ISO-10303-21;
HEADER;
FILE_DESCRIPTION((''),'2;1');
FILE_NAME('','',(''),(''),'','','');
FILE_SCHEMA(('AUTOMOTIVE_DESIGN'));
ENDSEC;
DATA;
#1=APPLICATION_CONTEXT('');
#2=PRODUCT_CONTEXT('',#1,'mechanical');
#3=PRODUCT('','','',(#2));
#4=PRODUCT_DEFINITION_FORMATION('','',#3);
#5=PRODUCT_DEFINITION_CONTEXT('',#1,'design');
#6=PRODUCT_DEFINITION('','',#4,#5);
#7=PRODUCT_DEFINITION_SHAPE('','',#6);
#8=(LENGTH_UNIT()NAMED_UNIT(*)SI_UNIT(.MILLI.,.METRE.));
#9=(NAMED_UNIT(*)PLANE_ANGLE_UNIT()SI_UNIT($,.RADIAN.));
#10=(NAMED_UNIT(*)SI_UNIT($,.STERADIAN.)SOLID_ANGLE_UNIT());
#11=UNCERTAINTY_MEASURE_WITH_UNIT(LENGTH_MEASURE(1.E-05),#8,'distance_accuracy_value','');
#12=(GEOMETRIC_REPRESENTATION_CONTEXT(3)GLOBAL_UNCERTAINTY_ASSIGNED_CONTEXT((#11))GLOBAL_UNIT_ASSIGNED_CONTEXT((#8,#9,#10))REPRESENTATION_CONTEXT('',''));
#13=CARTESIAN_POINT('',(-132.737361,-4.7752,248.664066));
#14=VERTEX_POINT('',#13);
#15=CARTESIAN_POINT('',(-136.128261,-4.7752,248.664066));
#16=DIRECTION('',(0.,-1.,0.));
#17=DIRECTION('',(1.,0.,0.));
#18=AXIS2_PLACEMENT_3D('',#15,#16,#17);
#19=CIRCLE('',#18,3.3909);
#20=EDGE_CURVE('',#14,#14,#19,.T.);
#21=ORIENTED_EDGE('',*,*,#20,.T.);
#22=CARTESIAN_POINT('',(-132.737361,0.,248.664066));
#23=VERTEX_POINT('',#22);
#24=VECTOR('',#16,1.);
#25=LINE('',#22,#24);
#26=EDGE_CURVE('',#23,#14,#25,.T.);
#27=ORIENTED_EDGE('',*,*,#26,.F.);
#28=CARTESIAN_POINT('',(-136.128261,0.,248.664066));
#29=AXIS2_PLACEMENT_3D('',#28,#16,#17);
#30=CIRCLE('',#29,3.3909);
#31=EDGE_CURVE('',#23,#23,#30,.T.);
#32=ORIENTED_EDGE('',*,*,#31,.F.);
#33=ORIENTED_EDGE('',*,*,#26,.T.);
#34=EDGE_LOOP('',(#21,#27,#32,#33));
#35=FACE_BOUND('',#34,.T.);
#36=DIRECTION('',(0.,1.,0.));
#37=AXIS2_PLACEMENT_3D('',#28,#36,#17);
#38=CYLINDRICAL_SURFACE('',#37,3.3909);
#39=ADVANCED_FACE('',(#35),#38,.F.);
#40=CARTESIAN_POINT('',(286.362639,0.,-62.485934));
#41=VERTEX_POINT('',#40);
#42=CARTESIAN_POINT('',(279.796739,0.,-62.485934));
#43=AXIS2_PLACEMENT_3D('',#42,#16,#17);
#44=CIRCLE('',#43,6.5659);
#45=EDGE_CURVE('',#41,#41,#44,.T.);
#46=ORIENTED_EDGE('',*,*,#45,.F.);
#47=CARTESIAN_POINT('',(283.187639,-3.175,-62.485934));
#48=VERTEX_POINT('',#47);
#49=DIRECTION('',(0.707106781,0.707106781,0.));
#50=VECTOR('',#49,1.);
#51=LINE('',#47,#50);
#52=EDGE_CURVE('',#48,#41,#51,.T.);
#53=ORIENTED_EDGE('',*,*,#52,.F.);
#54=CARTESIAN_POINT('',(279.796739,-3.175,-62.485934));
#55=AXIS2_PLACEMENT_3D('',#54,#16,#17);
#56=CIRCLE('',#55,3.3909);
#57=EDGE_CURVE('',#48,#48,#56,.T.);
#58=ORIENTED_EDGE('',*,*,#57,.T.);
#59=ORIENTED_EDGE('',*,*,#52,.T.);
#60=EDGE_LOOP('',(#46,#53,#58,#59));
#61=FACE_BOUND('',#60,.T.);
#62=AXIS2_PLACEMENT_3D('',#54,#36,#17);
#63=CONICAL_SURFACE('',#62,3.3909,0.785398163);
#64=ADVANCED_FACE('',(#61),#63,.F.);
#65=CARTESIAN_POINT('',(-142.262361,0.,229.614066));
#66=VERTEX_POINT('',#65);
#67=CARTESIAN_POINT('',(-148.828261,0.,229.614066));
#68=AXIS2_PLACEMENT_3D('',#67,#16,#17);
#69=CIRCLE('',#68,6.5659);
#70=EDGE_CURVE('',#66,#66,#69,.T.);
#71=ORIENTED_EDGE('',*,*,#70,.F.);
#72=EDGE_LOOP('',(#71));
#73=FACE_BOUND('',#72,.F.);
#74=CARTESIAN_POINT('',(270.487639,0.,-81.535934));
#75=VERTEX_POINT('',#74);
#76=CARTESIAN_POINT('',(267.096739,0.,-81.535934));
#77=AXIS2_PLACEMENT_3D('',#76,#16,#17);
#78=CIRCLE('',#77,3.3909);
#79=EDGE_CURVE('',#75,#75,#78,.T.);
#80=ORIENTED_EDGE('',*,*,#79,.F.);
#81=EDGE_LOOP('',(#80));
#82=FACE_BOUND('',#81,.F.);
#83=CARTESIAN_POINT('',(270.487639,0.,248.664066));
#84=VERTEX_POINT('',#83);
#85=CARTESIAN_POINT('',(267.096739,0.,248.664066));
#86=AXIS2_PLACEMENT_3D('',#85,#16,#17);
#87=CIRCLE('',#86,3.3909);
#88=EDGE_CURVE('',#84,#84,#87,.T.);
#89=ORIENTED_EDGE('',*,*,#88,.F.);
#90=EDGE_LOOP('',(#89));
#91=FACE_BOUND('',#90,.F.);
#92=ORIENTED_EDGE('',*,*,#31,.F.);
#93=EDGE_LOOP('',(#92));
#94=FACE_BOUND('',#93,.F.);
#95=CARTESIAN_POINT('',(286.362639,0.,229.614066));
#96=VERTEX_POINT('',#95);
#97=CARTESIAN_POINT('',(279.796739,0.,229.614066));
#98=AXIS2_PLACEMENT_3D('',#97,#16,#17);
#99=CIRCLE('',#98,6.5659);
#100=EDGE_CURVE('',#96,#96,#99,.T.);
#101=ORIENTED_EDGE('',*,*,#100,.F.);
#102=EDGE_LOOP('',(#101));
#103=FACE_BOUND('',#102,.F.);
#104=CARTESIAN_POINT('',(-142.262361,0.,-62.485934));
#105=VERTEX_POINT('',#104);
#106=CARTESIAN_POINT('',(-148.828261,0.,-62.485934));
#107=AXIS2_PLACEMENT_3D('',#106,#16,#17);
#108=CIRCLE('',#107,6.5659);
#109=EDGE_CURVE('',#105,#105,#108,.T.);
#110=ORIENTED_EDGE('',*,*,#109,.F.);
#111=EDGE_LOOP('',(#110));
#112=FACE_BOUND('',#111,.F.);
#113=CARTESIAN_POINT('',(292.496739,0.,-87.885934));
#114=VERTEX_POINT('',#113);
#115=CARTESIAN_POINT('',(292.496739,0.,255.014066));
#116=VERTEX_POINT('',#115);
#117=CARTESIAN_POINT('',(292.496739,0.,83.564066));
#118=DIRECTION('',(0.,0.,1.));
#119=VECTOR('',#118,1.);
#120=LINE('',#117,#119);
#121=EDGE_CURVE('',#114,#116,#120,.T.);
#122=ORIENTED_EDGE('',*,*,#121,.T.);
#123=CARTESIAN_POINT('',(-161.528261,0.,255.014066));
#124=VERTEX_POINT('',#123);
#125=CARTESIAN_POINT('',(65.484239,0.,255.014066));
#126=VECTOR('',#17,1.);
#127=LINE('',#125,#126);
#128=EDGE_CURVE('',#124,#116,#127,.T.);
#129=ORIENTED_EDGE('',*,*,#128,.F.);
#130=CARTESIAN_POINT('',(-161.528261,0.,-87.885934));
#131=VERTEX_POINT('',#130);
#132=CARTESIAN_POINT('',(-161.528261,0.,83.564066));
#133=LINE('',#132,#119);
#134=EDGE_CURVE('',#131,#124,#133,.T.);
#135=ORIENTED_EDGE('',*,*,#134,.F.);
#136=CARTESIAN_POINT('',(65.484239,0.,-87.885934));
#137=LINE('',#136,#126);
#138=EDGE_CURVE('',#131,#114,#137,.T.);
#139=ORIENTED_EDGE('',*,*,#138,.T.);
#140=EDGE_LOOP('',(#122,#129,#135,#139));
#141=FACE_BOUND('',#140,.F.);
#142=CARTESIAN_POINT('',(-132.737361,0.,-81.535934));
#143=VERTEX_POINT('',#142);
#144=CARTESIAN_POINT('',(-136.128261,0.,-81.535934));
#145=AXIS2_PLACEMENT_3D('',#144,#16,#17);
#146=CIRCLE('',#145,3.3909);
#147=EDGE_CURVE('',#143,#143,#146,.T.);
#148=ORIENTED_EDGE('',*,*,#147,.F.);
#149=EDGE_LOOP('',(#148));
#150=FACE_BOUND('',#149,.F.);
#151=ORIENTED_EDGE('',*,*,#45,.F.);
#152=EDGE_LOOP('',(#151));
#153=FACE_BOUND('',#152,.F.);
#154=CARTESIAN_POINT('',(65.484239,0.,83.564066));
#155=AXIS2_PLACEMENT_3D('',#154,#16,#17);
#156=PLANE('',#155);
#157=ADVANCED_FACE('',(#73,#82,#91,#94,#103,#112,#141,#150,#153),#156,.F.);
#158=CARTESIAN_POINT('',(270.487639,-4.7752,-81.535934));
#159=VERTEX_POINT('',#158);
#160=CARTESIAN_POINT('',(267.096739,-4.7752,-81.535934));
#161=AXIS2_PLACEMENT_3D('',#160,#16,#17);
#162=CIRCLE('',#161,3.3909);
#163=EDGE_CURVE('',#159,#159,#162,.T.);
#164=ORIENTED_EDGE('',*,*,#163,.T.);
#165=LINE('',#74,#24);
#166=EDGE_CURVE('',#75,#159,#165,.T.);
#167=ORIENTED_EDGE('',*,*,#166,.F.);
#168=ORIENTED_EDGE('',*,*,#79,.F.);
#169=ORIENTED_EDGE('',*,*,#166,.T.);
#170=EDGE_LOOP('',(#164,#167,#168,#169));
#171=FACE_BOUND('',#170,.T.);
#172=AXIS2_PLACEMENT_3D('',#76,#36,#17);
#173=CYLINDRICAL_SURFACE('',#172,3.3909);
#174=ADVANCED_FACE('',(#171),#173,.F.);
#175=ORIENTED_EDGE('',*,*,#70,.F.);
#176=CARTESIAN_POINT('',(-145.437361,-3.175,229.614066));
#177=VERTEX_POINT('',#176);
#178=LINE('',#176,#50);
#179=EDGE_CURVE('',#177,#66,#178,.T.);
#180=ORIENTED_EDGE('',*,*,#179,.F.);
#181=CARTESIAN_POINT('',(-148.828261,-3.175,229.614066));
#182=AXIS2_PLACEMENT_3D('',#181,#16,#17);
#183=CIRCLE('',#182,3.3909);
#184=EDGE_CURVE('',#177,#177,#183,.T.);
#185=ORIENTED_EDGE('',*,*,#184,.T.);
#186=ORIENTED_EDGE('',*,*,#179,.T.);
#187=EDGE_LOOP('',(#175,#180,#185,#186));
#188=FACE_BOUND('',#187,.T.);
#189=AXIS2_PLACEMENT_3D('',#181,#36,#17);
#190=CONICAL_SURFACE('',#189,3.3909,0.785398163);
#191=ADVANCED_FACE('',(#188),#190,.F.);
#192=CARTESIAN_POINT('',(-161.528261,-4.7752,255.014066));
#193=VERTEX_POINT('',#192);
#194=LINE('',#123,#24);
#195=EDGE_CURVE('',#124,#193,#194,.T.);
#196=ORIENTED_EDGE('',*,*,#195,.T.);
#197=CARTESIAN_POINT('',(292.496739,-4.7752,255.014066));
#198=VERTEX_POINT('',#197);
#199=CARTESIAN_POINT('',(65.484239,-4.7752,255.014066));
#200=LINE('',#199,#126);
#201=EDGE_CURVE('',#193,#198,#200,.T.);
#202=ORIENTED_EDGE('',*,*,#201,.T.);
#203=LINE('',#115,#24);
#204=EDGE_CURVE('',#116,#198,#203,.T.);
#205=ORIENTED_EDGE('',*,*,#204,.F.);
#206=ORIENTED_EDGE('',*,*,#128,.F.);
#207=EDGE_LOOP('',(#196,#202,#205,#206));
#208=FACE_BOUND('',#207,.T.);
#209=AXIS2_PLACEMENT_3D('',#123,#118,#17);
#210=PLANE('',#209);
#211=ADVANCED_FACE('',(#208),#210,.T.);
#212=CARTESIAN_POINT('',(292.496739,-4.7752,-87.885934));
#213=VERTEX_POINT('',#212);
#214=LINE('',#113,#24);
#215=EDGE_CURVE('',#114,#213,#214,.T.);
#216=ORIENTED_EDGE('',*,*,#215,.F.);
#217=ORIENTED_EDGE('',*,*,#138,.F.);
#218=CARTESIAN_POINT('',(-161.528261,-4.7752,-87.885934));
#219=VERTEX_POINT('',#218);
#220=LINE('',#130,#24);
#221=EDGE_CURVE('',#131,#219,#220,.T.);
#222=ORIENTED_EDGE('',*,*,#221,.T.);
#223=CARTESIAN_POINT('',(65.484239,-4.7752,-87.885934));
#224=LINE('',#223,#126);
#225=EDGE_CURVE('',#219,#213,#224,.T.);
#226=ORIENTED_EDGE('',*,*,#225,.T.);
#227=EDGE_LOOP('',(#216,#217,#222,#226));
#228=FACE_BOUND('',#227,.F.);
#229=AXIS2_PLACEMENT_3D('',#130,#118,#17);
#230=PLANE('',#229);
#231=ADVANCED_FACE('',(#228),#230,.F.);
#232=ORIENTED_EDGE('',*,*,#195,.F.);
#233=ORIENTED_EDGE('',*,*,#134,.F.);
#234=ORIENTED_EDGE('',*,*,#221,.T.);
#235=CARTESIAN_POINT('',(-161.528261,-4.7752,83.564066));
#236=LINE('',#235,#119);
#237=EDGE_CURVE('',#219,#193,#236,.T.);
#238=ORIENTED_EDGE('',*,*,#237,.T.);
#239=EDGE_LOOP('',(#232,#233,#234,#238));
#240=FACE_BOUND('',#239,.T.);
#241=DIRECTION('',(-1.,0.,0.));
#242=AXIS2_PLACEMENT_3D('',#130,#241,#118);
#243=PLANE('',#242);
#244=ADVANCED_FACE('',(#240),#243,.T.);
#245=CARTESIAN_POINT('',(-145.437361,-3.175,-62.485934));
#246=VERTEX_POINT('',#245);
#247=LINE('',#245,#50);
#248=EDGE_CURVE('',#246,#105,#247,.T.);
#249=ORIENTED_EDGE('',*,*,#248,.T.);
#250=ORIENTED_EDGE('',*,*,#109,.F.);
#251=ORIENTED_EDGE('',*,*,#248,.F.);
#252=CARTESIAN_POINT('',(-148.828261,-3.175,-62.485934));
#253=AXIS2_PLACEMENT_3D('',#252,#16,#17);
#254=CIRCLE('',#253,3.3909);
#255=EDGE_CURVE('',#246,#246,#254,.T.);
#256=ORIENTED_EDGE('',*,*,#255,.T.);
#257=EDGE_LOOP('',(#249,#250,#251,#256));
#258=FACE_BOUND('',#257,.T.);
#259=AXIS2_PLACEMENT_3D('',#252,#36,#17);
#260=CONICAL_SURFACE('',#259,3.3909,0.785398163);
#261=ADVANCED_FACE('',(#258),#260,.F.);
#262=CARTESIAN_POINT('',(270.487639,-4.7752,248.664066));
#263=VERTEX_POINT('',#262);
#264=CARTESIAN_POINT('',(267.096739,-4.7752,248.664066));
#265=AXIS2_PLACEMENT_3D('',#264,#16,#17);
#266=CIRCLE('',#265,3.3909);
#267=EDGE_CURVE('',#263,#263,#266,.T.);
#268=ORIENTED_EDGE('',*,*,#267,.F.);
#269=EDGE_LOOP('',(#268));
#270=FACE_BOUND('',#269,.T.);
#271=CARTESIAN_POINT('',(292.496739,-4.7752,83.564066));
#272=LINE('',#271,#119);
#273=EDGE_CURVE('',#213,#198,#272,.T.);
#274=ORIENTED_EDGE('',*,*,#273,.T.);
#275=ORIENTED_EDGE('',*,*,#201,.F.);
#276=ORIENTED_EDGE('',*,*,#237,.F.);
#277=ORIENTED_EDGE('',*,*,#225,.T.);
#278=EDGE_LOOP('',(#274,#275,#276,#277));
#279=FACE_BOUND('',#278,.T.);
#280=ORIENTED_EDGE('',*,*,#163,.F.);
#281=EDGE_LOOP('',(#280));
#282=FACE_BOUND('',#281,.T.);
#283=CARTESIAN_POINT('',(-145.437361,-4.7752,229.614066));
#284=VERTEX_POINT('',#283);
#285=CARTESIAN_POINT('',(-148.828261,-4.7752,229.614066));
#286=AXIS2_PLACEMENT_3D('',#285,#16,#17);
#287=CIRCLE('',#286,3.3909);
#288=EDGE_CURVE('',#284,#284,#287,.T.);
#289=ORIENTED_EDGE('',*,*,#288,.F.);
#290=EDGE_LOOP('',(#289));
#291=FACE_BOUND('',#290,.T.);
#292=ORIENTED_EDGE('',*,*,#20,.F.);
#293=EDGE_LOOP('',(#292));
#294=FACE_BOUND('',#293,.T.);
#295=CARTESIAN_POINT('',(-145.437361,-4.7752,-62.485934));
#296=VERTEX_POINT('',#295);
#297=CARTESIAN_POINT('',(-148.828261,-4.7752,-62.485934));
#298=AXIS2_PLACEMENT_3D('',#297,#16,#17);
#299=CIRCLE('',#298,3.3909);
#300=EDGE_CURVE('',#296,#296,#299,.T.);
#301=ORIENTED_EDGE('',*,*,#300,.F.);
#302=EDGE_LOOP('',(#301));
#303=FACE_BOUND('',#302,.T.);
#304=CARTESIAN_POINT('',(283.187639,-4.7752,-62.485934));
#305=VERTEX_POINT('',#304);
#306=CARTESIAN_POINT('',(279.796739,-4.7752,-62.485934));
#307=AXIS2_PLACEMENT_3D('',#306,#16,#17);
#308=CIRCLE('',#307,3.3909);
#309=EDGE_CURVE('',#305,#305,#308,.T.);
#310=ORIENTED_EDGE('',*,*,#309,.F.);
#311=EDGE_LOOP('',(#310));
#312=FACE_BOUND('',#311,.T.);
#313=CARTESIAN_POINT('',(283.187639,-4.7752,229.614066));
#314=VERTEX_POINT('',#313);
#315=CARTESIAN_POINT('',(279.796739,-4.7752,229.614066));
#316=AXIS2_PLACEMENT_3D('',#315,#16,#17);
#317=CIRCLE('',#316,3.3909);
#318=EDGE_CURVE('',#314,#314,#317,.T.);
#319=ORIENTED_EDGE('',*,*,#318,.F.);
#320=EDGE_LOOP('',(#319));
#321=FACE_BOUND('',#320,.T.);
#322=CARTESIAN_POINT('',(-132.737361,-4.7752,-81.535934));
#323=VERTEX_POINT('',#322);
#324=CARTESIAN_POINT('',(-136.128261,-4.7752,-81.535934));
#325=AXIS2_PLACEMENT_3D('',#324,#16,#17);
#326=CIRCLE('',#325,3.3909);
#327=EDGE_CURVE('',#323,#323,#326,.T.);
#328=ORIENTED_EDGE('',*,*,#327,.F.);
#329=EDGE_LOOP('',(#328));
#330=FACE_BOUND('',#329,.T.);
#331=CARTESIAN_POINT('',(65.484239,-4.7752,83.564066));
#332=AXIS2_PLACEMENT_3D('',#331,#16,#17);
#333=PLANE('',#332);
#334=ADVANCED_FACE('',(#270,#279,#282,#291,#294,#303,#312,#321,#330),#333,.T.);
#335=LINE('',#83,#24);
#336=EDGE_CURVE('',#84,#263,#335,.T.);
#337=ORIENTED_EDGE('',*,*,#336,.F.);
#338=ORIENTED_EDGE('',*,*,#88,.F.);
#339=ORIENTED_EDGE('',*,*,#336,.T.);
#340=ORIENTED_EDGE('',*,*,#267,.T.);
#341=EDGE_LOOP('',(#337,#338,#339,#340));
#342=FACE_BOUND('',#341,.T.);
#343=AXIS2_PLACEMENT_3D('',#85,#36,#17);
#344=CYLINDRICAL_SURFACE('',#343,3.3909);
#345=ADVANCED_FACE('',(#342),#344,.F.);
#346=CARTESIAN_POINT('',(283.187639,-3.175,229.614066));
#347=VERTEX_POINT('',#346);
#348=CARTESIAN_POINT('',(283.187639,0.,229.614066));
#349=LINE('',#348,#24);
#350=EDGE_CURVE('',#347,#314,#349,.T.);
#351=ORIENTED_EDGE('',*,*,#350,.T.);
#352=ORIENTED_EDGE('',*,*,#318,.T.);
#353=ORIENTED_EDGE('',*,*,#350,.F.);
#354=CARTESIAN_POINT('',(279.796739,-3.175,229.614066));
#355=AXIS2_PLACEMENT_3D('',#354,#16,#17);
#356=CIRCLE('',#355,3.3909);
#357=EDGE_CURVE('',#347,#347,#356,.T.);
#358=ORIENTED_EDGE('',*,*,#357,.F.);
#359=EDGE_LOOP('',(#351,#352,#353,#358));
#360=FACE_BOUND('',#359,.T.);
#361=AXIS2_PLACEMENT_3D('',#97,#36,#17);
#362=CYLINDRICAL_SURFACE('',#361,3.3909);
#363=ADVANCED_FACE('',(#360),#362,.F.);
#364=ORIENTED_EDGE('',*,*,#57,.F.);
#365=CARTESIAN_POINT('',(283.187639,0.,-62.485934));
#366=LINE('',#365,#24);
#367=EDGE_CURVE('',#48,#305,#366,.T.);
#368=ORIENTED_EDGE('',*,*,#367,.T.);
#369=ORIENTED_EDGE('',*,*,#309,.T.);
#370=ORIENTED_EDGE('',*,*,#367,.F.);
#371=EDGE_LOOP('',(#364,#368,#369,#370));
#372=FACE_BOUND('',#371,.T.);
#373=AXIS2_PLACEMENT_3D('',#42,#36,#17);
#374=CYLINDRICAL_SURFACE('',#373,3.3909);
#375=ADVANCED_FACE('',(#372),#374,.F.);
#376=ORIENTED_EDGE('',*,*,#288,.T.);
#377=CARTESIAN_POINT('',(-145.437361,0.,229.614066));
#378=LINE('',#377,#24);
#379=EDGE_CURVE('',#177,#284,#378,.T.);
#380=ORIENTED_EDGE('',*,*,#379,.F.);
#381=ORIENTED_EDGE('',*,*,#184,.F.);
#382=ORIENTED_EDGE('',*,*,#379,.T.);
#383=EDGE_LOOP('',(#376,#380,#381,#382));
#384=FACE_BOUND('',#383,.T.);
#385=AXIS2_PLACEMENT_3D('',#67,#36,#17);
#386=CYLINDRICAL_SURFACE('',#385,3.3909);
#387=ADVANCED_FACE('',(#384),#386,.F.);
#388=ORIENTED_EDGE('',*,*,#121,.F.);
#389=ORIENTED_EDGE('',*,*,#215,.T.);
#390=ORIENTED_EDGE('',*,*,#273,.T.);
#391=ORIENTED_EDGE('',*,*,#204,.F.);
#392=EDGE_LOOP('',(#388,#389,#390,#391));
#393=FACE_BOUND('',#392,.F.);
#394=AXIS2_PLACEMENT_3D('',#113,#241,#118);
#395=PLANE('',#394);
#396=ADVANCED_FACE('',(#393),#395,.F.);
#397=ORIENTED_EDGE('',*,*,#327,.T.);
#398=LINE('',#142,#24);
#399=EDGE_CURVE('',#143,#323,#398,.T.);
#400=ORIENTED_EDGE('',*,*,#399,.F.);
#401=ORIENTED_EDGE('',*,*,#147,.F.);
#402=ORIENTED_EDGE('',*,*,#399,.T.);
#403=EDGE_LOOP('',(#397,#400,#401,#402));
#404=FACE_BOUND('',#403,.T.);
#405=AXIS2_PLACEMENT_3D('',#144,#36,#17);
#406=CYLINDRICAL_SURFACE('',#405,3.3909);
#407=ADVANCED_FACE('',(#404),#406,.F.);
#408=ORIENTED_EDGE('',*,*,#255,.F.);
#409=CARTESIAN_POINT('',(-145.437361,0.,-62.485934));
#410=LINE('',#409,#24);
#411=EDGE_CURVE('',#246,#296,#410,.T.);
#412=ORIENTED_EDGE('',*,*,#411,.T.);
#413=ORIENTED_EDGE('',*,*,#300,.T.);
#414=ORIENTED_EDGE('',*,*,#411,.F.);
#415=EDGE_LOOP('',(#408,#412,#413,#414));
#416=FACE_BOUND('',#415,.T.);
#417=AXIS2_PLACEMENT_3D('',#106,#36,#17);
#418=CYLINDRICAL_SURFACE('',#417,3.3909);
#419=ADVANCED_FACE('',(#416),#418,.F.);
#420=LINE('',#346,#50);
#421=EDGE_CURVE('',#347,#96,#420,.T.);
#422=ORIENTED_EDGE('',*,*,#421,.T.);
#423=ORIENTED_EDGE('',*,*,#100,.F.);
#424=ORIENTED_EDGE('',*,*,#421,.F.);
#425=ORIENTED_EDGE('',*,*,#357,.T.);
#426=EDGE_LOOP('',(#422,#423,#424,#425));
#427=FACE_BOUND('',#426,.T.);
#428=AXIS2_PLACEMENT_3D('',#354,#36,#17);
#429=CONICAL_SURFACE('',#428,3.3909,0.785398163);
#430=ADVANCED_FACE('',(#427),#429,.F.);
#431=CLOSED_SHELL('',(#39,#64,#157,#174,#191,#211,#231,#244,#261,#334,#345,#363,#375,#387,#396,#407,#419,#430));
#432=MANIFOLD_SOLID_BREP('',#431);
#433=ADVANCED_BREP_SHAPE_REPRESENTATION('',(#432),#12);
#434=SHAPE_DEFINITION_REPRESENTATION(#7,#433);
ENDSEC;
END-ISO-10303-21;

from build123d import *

# Parameters (mm, degrees)
F0_W     = 454.025
F0_H     = 342.9
F0_R     = 3.3909
F1_DEPTH = 4.7752
F2_SIZE  = 3.175


with BuildPart() as f1:
    # F0 (on Front) → F1 (new body)
    with BuildSketch(Plane.XZ):
        with Locations((65.484239, 83.564066)):
            Rectangle(F0_W, F0_H)
        with Locations((-136.128261, -81.535934)):
            Circle(F0_R, mode=Mode.SUBTRACT)
        with Locations((-148.828261, -62.485934)):
            Circle(F0_R, mode=Mode.SUBTRACT)
        with Locations((267.096739, -81.535934)):
            Circle(F0_R, mode=Mode.SUBTRACT)
        with Locations((279.796739, -62.485934)):
            Circle(F0_R, mode=Mode.SUBTRACT)
        with Locations((-148.828261, 229.614066)):
            Circle(F0_R, mode=Mode.SUBTRACT)
        with Locations((-136.128261, 248.664066)):
            Circle(F0_R, mode=Mode.SUBTRACT)
        with Locations((279.796739, 229.614066)):
            Circle(F0_R, mode=Mode.SUBTRACT)
        with Locations((267.096739, 248.664066)):
            Circle(F0_R, mode=Mode.SUBTRACT)
    extrude(amount=F1_DEPTH)

    # F2
    f2_edges = [f1.edges().sort_by_distance(p)[0] for p in [
        (-152.219161, 0, -62.485934),
        (276.405839, 0, -62.485934),
        (276.405839, 0, 229.614066),
        (-152.219161, 0, 229.614066),
    ]]
    chamfer(f2_edges, length=F2_SIZE)


solid = f1.part
